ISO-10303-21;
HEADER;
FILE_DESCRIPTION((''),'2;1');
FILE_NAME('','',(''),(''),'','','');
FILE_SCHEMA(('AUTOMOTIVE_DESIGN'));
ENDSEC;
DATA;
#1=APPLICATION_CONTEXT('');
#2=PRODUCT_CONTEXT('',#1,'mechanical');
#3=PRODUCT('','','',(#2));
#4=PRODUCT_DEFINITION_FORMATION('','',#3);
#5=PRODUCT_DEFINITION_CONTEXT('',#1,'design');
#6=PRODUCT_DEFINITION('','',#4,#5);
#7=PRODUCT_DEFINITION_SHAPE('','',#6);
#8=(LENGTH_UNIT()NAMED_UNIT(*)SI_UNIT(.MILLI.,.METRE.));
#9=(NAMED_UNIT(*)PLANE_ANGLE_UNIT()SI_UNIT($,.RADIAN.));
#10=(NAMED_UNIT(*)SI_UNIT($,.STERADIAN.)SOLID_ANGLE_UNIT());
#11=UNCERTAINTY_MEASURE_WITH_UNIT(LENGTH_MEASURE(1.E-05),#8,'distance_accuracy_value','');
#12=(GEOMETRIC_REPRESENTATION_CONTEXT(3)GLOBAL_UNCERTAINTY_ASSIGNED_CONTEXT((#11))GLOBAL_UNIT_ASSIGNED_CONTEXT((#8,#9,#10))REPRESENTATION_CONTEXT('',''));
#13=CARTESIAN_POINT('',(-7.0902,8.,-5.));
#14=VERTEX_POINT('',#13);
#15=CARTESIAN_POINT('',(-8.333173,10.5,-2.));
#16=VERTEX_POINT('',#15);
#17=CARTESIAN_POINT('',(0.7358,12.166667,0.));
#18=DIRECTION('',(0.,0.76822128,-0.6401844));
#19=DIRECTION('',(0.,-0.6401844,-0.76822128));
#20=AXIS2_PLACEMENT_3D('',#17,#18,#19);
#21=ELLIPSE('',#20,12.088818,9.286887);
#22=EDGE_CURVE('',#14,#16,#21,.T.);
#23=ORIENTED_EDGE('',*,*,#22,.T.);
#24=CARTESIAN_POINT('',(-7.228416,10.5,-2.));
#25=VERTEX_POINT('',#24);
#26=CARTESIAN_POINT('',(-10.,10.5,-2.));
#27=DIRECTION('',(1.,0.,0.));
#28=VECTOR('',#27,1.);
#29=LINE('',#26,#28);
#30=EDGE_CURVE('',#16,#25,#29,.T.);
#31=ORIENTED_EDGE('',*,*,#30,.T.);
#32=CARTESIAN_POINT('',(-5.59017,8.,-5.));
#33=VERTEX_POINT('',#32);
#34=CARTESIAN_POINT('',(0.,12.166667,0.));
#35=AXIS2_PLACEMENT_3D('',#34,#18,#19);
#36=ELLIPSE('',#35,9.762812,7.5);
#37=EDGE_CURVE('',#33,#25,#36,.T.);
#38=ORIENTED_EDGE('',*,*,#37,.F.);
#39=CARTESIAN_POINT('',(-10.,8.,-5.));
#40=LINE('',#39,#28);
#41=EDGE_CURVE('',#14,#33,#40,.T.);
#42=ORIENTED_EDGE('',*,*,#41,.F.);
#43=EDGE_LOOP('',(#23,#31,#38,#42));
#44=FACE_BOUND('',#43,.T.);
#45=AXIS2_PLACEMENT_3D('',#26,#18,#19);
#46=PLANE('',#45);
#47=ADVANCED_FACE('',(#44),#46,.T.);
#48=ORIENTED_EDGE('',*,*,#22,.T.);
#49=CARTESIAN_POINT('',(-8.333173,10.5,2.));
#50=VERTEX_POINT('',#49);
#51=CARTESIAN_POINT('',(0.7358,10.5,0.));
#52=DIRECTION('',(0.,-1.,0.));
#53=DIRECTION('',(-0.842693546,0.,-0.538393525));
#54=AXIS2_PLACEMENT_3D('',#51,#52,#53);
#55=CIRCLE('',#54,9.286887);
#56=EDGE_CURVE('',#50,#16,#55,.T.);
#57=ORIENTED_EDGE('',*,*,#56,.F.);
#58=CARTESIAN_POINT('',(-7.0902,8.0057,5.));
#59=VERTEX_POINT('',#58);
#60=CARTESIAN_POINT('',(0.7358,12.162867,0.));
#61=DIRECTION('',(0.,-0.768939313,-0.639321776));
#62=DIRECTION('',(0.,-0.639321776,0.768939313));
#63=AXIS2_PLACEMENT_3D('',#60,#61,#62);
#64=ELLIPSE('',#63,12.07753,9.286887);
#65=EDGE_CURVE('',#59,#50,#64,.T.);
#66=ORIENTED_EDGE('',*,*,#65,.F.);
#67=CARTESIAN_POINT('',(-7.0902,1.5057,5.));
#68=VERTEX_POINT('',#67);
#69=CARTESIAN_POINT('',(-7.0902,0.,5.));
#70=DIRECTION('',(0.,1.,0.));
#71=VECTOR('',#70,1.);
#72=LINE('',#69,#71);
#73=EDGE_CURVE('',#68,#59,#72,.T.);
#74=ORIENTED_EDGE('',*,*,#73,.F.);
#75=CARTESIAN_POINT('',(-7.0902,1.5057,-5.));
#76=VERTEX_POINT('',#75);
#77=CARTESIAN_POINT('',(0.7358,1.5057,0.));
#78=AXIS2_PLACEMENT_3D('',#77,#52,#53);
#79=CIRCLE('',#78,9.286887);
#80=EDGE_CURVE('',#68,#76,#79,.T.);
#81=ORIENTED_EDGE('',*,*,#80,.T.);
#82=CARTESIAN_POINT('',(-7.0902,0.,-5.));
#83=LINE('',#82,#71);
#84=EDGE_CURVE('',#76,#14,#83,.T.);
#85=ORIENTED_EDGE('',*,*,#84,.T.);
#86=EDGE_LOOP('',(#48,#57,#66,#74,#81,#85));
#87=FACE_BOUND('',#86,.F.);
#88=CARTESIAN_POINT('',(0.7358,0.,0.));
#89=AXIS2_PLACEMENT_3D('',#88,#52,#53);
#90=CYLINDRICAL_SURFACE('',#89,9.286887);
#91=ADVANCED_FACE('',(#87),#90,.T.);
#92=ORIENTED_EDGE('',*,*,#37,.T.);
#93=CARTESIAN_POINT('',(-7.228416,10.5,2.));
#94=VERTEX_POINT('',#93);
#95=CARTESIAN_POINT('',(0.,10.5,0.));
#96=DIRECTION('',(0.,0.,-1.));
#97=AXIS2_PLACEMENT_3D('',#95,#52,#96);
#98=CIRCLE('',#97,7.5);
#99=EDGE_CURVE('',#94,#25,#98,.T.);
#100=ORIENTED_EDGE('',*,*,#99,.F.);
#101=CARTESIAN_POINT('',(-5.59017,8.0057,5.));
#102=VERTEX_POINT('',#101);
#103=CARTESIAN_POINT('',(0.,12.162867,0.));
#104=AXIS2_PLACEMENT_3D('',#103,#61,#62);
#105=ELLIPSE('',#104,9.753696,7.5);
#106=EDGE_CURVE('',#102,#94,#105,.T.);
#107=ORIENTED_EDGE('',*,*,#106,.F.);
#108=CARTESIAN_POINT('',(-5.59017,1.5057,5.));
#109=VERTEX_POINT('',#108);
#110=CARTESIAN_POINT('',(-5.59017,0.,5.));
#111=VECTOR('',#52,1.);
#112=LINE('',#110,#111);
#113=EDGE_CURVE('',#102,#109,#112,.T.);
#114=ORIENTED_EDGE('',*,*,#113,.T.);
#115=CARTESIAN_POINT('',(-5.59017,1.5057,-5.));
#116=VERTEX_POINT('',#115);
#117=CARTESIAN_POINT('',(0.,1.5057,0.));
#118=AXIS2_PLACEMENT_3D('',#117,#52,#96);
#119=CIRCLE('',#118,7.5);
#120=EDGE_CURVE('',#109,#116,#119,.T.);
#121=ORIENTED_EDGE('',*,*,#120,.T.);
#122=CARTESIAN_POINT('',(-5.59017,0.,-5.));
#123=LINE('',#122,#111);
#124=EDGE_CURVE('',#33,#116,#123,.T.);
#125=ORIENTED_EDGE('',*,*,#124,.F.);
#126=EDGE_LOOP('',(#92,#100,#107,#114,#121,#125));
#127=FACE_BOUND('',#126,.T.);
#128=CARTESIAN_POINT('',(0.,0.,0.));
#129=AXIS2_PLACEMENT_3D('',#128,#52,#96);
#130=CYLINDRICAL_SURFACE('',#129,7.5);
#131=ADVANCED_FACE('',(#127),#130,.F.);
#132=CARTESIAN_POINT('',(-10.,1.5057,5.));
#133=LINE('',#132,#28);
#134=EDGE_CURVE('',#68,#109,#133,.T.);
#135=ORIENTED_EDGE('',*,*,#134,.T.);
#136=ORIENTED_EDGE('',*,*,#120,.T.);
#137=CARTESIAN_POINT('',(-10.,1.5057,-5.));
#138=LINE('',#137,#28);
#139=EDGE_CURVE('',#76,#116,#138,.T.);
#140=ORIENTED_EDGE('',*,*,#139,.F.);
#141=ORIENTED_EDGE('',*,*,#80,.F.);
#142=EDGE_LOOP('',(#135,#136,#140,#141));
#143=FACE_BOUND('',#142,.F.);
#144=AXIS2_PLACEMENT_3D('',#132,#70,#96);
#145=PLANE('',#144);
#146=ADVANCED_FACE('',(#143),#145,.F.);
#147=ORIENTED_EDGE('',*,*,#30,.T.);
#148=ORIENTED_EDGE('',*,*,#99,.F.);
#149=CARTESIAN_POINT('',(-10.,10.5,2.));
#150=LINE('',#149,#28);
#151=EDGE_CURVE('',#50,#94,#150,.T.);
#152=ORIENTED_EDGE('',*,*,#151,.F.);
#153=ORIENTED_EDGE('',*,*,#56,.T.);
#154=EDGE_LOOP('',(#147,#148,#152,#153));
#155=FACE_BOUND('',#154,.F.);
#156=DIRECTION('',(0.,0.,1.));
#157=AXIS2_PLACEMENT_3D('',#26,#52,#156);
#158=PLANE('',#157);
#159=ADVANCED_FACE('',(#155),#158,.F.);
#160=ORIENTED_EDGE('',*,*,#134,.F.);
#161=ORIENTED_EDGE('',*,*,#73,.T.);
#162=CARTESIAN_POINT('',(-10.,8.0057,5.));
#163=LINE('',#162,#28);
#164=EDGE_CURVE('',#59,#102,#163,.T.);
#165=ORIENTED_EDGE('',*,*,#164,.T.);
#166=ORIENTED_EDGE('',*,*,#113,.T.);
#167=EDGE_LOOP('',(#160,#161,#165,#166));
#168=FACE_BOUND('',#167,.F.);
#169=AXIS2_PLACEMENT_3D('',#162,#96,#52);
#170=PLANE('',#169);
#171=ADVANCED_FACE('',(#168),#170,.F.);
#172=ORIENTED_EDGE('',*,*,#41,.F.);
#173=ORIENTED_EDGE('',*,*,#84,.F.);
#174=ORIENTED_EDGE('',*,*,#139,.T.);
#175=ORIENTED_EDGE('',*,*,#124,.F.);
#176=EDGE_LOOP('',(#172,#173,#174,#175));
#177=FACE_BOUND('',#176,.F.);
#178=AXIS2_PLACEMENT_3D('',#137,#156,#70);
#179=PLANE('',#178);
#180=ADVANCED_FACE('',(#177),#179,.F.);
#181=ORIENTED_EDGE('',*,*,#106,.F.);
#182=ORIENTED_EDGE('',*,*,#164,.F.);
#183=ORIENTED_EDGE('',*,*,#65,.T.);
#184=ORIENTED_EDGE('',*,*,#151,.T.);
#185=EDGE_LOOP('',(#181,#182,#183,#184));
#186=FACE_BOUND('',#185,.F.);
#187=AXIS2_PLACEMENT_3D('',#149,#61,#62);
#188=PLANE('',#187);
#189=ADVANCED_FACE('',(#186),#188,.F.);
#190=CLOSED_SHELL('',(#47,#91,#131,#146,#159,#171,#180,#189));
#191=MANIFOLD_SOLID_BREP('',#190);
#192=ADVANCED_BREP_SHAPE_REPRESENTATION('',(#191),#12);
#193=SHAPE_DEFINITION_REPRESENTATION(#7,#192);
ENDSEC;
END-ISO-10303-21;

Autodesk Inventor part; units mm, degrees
ref_plane "YZ Plane" through (0, 0, 0) normal (1, 0, 0) x (0, 1, 0)
ref_plane "XZ Plane" through (0, 0, 0) normal (0, 1, 0) x (-1, 0, 0)
ref_plane "XY Plane" through (0, 0, 0) normal (0, 0, 1) x (1, 0, 0)
sketch "Sketch1" plane through (0, 0, 0) normal (0, 1, 0) x (-1, 0, 0)
  arc A0 (0, -7.5) -> (0, 7.5) centre (0, 0) ccw
  line L0 (0, 7.5) -> (0, -7.5)
  dimension "d0" = 15
extrude "Extrusion1" add sketch "Sketch1" along normal blind 12
ref_plane "Work Plane1" through (-10, 0, 7.5) normal (1, 0, 0) x (0, 0, -1)
sketch "Sketch2" plane through (-10, 0, 7.5) normal (1, 0, 0) x (0, 0, -1)
  line L0 (2.5, 8.0057) -> (2.5, 1.5057)
  line L1 (2.5, 1.5057) -> (12.5, 1.5057)
  line L2 (12.5, 1.5057) -> (12.5, 8)
  line L3 (9.5, 10.5) -> (5.5, 10.5)
  line L4 (9.5, 10.5) -> (12.5, 8)
  line L5 (5.5, 10.5) -> (2.5, 8.0057)
  line L6 (15, 0) -> (15, 12) projected
  point P0 (7.5, 0)
  dimension "d9" = 10
  dimension "d10" = 6.5
  dimension "d12" = 4
  dimension "d14" = 3
  dimension "d15" = 3
  dimension "d24" = 2.5
extrude "Extrusion2" add sketch "Sketch2" along normal blind 10
sketch "Sketch5" plane through (0, 0, 0) normal (0, 1, 0) x (-1, 0, 0)
  arc A0 (0, -7.5) -> (0, 7.5) centre (0, 0) ccw
  arc A1 (0, -7.5) -> (0, 7.5) centre (0, 0) ccw projected
  line L0 (0, 7.5) -> (0, -7.5)
  line L1 (0, -7.5) -> (0, 7.5)
extrude "Extrusion5" cut sketch "Sketch5" along normal through all both and the other way through all
sketch "Sketch6" plane through (0, 0, 0) normal (0, 1, 0) x (-1, 0, 0)
  line L0 (7.0902, 5) -> (5.5902, 5)
  arc A0 (7.0902, -5) -> (7.0902, 5) centre (12.3734, 0) ccw
  arc A1 (7.0902, -5) -> (7.0902, 5) centre (-0.7358, 0) ccw
  point P0 (0, 0)
extrude "Extrusion6" cut sketch "Sketch6" along normal through all both and the other way through all
properties part number "15mm_radius_mold_with_crystal_skull"
